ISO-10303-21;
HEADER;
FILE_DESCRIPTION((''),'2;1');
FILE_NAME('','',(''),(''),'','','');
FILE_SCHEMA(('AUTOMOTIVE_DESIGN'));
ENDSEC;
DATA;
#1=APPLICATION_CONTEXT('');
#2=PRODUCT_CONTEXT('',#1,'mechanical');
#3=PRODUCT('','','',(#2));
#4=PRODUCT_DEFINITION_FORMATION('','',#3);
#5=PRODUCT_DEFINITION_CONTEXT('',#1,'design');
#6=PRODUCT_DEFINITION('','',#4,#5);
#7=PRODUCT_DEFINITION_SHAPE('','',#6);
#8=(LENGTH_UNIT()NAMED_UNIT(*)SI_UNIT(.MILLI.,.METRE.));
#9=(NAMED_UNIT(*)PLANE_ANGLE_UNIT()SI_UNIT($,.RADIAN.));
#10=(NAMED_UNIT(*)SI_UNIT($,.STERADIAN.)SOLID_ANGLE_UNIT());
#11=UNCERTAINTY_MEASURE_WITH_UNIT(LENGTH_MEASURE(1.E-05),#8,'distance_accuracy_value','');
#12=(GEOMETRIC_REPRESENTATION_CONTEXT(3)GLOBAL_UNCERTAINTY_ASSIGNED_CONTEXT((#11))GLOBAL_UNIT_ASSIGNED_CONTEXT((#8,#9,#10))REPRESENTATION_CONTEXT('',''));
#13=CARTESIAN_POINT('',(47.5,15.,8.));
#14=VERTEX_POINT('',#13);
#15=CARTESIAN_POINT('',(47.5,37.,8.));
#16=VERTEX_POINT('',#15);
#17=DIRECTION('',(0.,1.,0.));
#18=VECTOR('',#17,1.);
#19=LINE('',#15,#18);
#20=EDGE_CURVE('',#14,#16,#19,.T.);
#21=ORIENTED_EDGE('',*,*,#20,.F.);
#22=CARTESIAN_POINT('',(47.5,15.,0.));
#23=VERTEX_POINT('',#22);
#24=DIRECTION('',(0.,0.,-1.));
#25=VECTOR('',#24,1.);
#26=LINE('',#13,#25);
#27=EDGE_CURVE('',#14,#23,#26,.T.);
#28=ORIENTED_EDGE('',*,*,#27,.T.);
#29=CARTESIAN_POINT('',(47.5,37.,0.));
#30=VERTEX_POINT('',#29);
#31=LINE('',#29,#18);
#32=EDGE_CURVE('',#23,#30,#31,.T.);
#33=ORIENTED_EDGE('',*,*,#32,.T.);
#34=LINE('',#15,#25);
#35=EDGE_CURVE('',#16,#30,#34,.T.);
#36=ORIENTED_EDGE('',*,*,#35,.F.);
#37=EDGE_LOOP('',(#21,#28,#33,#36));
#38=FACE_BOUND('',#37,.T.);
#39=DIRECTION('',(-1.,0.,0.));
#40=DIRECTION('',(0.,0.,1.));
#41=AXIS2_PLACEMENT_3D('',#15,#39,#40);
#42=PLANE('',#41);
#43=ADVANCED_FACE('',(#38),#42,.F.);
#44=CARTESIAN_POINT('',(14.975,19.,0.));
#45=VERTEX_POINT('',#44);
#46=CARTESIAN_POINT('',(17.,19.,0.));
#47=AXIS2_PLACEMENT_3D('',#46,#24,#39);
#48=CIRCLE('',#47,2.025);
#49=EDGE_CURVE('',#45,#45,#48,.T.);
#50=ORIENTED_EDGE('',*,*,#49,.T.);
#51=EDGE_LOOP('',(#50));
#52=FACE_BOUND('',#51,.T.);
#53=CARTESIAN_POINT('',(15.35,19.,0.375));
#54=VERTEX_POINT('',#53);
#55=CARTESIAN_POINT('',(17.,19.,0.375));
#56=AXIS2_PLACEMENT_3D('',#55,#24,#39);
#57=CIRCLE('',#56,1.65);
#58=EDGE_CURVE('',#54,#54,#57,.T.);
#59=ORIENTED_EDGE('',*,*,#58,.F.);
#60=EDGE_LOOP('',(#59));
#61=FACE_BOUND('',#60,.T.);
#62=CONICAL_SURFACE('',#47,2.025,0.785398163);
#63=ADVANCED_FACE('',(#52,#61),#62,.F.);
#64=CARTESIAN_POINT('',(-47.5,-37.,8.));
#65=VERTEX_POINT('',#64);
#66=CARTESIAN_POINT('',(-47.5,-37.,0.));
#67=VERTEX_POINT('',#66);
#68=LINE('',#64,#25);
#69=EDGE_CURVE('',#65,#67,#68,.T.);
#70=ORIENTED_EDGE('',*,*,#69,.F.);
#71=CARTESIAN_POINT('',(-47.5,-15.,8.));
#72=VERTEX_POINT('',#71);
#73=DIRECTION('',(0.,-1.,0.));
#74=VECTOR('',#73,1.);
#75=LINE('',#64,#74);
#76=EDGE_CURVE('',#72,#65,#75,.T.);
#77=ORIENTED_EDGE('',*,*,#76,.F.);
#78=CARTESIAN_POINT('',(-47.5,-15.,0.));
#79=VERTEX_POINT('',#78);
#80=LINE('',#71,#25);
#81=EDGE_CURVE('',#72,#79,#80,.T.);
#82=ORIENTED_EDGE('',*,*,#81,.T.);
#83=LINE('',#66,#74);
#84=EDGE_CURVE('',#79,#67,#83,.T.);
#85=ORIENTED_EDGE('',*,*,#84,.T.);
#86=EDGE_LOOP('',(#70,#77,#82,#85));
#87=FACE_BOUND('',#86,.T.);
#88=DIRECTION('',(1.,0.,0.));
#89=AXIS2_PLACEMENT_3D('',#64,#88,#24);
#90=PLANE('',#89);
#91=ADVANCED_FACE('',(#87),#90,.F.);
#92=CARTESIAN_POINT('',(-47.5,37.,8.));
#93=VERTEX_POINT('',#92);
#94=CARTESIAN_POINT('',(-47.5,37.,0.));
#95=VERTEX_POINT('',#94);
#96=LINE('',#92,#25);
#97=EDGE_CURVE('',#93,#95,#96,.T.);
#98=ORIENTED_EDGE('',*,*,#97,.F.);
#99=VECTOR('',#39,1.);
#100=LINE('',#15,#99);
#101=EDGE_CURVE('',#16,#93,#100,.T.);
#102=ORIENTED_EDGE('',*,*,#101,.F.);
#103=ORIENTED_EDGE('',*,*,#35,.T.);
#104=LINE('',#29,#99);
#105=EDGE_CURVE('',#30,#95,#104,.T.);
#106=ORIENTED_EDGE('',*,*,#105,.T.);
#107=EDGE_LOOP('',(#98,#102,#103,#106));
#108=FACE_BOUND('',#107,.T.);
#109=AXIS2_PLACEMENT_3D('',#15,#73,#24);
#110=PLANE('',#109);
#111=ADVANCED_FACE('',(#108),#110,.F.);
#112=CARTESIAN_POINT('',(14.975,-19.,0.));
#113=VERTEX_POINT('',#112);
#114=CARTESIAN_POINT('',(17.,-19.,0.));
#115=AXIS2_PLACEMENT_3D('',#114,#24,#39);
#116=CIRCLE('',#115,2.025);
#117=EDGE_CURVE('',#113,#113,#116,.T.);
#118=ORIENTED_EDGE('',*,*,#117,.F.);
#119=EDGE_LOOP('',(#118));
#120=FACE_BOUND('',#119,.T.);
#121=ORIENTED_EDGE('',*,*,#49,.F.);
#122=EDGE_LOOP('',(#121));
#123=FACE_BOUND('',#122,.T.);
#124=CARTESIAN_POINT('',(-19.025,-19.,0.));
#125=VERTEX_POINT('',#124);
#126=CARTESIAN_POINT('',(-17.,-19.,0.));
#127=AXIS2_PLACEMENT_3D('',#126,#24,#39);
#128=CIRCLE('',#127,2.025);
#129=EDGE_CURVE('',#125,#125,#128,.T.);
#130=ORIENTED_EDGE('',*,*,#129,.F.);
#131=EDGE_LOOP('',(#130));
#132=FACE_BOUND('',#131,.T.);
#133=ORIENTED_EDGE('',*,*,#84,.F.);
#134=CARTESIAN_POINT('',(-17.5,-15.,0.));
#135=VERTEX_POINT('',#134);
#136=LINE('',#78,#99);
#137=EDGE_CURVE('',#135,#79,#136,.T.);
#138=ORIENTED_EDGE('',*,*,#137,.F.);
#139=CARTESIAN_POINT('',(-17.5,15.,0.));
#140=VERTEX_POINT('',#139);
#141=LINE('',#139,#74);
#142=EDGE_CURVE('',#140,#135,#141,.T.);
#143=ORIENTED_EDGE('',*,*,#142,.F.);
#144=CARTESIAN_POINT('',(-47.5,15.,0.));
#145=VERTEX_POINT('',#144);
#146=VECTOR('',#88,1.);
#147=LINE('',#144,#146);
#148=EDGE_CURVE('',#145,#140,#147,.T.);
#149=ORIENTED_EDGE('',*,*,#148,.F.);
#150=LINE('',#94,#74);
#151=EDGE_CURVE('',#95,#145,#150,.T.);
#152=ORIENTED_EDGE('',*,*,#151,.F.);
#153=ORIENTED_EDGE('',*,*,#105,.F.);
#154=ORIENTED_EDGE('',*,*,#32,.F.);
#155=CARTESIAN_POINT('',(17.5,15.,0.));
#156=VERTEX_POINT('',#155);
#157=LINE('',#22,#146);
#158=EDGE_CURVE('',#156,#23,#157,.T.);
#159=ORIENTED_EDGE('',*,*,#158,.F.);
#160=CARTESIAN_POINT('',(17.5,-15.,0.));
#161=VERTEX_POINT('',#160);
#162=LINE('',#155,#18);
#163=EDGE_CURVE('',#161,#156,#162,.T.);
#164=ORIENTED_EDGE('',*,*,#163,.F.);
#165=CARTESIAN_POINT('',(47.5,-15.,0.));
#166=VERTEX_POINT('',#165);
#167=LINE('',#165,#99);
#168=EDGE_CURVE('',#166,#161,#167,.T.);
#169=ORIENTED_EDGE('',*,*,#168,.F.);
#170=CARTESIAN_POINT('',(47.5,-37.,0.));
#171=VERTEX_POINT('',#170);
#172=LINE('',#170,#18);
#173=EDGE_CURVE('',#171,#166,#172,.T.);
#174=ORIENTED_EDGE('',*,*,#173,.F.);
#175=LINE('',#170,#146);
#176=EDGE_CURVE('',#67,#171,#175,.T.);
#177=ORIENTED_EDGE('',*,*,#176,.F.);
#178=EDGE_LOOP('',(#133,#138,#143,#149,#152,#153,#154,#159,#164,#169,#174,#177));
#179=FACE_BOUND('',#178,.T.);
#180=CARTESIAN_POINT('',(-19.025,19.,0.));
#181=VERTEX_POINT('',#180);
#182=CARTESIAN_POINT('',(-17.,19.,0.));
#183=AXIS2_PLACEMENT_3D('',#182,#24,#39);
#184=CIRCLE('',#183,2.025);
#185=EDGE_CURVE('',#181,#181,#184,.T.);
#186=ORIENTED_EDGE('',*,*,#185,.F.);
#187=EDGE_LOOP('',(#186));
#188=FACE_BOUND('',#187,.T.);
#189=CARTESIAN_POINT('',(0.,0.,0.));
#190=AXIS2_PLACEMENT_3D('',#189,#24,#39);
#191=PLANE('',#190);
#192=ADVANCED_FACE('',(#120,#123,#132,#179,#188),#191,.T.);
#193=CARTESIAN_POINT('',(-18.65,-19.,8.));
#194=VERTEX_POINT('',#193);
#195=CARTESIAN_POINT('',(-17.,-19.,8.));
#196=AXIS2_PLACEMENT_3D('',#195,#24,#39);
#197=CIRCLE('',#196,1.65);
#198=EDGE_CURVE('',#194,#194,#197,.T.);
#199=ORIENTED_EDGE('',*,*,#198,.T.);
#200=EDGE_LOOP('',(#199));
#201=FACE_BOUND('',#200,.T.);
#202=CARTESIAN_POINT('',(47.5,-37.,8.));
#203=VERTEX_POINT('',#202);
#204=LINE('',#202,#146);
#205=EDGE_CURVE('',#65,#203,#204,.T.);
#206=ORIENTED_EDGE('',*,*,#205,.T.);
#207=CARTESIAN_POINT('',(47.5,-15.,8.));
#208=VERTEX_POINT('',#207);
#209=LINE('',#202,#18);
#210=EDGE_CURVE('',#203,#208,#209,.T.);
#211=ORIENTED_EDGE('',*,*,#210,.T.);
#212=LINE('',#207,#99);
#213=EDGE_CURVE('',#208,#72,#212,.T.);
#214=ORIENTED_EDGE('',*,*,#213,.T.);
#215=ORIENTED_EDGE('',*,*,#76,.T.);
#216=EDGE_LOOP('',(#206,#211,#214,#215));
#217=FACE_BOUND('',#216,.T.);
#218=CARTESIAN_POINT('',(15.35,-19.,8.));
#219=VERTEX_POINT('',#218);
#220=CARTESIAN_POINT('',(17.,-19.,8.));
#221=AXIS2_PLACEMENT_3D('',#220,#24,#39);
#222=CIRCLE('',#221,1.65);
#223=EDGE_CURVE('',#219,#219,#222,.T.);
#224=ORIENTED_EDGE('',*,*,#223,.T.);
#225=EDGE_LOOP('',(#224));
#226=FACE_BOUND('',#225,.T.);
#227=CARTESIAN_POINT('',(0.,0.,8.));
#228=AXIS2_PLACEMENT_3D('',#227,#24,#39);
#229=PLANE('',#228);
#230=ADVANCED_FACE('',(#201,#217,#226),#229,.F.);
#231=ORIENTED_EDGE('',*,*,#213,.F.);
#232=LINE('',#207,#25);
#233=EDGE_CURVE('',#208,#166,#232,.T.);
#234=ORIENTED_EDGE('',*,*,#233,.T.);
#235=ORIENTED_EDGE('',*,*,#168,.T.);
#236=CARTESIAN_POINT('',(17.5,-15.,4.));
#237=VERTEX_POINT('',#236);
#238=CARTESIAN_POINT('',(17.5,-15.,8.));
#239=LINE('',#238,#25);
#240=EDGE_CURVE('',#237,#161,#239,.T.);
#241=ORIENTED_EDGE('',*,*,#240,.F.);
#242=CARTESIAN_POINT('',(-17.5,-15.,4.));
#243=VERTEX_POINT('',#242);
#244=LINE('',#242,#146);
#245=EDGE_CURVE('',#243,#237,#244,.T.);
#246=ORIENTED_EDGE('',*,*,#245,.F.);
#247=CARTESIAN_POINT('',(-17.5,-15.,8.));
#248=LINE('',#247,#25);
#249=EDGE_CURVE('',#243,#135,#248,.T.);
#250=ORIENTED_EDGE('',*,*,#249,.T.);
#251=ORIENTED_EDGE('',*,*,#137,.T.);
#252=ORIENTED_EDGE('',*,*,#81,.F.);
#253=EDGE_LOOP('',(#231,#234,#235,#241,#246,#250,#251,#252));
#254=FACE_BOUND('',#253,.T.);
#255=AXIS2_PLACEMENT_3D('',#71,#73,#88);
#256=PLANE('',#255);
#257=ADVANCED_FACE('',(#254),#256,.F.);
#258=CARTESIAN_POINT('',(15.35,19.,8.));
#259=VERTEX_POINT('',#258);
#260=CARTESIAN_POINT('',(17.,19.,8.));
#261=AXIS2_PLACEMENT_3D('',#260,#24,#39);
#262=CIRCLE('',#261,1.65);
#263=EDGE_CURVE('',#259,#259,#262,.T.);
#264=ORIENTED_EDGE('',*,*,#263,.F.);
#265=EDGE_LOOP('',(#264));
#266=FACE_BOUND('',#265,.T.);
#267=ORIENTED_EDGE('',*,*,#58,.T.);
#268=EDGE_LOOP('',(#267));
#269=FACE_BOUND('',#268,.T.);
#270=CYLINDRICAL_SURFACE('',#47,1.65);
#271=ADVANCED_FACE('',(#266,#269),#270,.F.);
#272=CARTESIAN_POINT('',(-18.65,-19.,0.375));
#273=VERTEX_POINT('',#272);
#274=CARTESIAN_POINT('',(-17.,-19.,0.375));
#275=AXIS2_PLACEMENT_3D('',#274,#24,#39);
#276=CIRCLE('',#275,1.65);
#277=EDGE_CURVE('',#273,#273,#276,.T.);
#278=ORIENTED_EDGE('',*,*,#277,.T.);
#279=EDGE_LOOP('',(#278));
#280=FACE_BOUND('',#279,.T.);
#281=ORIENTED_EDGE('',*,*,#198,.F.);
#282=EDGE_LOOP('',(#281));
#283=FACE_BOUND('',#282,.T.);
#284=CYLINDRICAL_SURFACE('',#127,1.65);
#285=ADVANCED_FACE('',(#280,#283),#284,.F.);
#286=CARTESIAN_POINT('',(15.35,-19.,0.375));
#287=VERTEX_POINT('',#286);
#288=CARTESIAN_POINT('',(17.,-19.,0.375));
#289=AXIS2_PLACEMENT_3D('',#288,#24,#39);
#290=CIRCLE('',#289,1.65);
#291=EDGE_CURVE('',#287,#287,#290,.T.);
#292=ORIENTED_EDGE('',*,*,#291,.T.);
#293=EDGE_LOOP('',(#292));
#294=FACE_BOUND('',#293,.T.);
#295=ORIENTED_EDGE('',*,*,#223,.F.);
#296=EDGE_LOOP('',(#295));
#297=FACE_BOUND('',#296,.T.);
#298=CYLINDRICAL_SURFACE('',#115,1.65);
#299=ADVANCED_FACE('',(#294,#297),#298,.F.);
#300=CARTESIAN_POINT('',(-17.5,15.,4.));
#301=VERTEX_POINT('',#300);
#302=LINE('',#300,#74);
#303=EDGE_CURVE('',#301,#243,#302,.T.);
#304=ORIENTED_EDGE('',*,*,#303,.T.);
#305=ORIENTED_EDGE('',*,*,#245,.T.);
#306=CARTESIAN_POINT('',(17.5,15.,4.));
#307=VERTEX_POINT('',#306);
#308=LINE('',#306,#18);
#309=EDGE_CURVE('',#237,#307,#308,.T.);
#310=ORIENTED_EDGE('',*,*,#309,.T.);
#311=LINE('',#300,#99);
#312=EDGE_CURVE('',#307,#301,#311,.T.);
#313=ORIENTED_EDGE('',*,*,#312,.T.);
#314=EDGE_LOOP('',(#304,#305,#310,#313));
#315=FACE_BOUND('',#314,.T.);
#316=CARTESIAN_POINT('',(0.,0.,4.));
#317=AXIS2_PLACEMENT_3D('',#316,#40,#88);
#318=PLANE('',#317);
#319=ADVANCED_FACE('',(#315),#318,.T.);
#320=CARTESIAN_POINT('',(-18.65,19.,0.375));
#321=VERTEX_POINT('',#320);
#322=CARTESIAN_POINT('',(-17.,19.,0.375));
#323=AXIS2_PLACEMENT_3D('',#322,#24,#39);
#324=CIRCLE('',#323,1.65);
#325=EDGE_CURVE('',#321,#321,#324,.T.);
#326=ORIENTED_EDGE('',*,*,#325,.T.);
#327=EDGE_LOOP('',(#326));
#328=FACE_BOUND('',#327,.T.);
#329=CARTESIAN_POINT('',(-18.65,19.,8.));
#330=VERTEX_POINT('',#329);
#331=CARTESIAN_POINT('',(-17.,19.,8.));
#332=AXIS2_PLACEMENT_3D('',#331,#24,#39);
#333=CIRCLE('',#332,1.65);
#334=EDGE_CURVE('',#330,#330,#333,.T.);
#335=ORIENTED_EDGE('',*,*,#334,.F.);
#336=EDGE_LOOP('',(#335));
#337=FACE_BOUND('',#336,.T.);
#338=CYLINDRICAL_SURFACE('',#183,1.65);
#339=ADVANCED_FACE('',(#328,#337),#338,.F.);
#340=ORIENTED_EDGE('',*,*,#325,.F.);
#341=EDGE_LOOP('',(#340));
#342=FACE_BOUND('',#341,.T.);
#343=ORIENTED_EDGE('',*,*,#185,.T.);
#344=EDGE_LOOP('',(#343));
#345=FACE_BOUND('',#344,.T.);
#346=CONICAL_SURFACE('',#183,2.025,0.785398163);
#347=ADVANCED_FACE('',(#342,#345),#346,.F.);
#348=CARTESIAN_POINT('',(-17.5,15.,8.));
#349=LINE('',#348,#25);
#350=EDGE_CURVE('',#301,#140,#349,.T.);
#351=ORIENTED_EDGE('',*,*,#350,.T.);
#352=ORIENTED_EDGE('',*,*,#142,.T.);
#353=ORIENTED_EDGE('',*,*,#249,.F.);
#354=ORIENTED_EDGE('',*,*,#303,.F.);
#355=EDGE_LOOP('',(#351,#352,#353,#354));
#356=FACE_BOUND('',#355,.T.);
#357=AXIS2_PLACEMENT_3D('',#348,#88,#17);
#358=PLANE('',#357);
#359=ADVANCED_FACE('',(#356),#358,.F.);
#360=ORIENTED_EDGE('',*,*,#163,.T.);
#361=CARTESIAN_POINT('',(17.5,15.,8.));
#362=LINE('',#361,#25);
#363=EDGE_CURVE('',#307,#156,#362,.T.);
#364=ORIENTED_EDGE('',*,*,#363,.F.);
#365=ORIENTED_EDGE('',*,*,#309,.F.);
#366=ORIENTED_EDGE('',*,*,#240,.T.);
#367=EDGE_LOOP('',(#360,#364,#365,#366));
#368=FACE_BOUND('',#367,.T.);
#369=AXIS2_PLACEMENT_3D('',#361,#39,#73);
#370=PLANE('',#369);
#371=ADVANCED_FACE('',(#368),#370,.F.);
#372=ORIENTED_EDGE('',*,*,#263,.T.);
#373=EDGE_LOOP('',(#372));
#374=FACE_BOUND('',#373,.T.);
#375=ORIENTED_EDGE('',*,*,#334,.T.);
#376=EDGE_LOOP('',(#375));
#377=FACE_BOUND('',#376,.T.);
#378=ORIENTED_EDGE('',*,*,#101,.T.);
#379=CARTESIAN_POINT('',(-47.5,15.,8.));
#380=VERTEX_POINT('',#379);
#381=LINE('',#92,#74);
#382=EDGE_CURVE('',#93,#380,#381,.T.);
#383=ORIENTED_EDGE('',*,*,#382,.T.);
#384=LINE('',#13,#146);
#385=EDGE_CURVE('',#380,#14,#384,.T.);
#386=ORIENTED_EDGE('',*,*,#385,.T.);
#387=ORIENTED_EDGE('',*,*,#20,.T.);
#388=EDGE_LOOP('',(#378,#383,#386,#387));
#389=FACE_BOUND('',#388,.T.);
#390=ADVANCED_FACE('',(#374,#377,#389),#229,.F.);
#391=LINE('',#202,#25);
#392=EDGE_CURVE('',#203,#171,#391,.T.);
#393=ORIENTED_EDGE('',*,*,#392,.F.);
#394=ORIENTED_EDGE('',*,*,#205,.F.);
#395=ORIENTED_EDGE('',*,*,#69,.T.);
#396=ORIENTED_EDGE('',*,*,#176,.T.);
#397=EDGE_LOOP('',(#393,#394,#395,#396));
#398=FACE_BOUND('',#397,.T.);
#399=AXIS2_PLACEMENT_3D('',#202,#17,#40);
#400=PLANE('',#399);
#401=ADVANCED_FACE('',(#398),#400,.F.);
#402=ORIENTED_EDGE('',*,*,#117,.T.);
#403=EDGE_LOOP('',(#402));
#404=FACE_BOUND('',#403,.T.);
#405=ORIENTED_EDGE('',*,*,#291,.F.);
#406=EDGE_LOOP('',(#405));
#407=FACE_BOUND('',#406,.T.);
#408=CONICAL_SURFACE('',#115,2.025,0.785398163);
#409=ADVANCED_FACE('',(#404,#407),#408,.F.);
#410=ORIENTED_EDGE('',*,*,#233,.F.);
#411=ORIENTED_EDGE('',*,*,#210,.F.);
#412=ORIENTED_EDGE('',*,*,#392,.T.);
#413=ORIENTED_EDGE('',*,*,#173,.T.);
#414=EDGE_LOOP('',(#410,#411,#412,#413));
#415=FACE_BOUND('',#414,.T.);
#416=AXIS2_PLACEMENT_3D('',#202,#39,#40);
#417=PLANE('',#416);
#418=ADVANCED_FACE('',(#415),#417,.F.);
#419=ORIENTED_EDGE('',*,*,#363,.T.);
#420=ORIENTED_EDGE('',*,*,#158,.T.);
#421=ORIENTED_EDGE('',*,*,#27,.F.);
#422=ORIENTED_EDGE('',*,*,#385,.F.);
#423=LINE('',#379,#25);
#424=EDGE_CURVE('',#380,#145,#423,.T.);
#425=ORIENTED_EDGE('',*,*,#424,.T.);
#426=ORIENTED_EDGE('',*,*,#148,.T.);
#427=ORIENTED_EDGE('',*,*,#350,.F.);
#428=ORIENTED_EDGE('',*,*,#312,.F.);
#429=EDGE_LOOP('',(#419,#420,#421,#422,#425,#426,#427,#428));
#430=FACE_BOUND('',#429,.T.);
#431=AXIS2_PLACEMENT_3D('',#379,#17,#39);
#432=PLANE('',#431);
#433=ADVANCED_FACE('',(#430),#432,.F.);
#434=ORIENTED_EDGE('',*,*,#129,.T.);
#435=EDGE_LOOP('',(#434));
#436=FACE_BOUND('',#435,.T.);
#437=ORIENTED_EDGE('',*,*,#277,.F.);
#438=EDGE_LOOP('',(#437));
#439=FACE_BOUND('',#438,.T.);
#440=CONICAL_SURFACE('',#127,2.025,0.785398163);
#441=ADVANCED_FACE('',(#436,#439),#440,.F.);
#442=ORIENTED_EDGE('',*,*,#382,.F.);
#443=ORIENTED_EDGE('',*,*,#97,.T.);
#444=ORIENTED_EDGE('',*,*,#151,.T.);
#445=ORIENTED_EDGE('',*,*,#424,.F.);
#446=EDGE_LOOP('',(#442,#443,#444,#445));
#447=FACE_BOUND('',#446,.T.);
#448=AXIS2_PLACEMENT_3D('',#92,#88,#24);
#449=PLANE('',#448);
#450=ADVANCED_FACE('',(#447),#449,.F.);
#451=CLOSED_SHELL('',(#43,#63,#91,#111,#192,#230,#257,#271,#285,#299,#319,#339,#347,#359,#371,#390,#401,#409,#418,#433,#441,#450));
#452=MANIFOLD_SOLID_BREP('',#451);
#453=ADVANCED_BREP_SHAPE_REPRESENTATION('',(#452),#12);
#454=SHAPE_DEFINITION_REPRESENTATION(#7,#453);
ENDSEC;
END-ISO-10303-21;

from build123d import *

# Parameters (mm, degrees)
EXTRUDE_1_DEPTH              = 8
SKETCH_2_W                   = 35
SKETCH_2_H                   = 30
CUT_EXTRUDE_1_DEPTH          = 4
HOLE_WIZARD_M4_1_D           = 3.3
HOLE_WIZARD_M4_1_CSINK_D     = 4.05
HOLE_WIZARD_M4_1_CSINK_ANGLE = 90
MIRROR_2_COPY_1_D            = 3.3
MIRROR_2_COPY_1_CSINK_D      = 4.05
MIRROR_2_COPY_1_CSINK_ANGLE  = 90


with BuildPart() as part:
    # 草图1 → 凸台-拉伸1 (new body)
    with BuildSketch(Plane.XY):
        Polygon((47.5, 37), (-47.5, 37), (-47.5, 15), (-17.5, 15), (-17.5, -15), (-47.5, -15), (-47.5, -37), (47.5, -37), (47.5, -15), (17.5, -15), (17.5, 15), (47.5, 15), align=None)
    extrude(amount=EXTRUDE_1_DEPTH)

    # 草图2 → 切除-拉伸1 (cut)
    with BuildSketch(Plane.XY.offset(8)):
        Rectangle(SKETCH_2_W, SKETCH_2_H)
    extrude(amount=-CUT_EXTRUDE_1_DEPTH, mode=Mode.SUBTRACT)

    # M4 螺纹孔1 (through all)
    with Locations(Plane(origin=(17, 19, 0), x_dir=(-1, 0, 0), z_dir=(0, 0, -1))):
        with Locations((0, 0)):
            hole_wizard_m4_1 = CounterSinkHole(HOLE_WIZARD_M4_1_D / 2, HOLE_WIZARD_M4_1_CSINK_D / 2, counter_sink_angle=HOLE_WIZARD_M4_1_CSINK_ANGLE)

    # 镜向1: M4 螺纹孔1 across plane
    add(hole_wizard_m4_1.mirror(Plane.ZX), mode=Mode.SUBTRACT)

    # 镜向2: M4 螺纹孔1 across plane
    add(hole_wizard_m4_1.mirror(Plane(origin=(0, 0, 0), x_dir=(0, 0, 1), z_dir=(1, 0, 0))), mode=Mode.SUBTRACT)

    # 镜向2 copy 1 (through all)
    with Locations(Plane(origin=(-17, -19, 0), x_dir=(1, 0, 0), z_dir=(0, 0, -1))):
        with Locations((0, 0)):
            CounterSinkHole(MIRROR_2_COPY_1_D / 2, MIRROR_2_COPY_1_CSINK_D / 2, counter_sink_angle=MIRROR_2_COPY_1_CSINK_ANGLE)


solid = part.part
